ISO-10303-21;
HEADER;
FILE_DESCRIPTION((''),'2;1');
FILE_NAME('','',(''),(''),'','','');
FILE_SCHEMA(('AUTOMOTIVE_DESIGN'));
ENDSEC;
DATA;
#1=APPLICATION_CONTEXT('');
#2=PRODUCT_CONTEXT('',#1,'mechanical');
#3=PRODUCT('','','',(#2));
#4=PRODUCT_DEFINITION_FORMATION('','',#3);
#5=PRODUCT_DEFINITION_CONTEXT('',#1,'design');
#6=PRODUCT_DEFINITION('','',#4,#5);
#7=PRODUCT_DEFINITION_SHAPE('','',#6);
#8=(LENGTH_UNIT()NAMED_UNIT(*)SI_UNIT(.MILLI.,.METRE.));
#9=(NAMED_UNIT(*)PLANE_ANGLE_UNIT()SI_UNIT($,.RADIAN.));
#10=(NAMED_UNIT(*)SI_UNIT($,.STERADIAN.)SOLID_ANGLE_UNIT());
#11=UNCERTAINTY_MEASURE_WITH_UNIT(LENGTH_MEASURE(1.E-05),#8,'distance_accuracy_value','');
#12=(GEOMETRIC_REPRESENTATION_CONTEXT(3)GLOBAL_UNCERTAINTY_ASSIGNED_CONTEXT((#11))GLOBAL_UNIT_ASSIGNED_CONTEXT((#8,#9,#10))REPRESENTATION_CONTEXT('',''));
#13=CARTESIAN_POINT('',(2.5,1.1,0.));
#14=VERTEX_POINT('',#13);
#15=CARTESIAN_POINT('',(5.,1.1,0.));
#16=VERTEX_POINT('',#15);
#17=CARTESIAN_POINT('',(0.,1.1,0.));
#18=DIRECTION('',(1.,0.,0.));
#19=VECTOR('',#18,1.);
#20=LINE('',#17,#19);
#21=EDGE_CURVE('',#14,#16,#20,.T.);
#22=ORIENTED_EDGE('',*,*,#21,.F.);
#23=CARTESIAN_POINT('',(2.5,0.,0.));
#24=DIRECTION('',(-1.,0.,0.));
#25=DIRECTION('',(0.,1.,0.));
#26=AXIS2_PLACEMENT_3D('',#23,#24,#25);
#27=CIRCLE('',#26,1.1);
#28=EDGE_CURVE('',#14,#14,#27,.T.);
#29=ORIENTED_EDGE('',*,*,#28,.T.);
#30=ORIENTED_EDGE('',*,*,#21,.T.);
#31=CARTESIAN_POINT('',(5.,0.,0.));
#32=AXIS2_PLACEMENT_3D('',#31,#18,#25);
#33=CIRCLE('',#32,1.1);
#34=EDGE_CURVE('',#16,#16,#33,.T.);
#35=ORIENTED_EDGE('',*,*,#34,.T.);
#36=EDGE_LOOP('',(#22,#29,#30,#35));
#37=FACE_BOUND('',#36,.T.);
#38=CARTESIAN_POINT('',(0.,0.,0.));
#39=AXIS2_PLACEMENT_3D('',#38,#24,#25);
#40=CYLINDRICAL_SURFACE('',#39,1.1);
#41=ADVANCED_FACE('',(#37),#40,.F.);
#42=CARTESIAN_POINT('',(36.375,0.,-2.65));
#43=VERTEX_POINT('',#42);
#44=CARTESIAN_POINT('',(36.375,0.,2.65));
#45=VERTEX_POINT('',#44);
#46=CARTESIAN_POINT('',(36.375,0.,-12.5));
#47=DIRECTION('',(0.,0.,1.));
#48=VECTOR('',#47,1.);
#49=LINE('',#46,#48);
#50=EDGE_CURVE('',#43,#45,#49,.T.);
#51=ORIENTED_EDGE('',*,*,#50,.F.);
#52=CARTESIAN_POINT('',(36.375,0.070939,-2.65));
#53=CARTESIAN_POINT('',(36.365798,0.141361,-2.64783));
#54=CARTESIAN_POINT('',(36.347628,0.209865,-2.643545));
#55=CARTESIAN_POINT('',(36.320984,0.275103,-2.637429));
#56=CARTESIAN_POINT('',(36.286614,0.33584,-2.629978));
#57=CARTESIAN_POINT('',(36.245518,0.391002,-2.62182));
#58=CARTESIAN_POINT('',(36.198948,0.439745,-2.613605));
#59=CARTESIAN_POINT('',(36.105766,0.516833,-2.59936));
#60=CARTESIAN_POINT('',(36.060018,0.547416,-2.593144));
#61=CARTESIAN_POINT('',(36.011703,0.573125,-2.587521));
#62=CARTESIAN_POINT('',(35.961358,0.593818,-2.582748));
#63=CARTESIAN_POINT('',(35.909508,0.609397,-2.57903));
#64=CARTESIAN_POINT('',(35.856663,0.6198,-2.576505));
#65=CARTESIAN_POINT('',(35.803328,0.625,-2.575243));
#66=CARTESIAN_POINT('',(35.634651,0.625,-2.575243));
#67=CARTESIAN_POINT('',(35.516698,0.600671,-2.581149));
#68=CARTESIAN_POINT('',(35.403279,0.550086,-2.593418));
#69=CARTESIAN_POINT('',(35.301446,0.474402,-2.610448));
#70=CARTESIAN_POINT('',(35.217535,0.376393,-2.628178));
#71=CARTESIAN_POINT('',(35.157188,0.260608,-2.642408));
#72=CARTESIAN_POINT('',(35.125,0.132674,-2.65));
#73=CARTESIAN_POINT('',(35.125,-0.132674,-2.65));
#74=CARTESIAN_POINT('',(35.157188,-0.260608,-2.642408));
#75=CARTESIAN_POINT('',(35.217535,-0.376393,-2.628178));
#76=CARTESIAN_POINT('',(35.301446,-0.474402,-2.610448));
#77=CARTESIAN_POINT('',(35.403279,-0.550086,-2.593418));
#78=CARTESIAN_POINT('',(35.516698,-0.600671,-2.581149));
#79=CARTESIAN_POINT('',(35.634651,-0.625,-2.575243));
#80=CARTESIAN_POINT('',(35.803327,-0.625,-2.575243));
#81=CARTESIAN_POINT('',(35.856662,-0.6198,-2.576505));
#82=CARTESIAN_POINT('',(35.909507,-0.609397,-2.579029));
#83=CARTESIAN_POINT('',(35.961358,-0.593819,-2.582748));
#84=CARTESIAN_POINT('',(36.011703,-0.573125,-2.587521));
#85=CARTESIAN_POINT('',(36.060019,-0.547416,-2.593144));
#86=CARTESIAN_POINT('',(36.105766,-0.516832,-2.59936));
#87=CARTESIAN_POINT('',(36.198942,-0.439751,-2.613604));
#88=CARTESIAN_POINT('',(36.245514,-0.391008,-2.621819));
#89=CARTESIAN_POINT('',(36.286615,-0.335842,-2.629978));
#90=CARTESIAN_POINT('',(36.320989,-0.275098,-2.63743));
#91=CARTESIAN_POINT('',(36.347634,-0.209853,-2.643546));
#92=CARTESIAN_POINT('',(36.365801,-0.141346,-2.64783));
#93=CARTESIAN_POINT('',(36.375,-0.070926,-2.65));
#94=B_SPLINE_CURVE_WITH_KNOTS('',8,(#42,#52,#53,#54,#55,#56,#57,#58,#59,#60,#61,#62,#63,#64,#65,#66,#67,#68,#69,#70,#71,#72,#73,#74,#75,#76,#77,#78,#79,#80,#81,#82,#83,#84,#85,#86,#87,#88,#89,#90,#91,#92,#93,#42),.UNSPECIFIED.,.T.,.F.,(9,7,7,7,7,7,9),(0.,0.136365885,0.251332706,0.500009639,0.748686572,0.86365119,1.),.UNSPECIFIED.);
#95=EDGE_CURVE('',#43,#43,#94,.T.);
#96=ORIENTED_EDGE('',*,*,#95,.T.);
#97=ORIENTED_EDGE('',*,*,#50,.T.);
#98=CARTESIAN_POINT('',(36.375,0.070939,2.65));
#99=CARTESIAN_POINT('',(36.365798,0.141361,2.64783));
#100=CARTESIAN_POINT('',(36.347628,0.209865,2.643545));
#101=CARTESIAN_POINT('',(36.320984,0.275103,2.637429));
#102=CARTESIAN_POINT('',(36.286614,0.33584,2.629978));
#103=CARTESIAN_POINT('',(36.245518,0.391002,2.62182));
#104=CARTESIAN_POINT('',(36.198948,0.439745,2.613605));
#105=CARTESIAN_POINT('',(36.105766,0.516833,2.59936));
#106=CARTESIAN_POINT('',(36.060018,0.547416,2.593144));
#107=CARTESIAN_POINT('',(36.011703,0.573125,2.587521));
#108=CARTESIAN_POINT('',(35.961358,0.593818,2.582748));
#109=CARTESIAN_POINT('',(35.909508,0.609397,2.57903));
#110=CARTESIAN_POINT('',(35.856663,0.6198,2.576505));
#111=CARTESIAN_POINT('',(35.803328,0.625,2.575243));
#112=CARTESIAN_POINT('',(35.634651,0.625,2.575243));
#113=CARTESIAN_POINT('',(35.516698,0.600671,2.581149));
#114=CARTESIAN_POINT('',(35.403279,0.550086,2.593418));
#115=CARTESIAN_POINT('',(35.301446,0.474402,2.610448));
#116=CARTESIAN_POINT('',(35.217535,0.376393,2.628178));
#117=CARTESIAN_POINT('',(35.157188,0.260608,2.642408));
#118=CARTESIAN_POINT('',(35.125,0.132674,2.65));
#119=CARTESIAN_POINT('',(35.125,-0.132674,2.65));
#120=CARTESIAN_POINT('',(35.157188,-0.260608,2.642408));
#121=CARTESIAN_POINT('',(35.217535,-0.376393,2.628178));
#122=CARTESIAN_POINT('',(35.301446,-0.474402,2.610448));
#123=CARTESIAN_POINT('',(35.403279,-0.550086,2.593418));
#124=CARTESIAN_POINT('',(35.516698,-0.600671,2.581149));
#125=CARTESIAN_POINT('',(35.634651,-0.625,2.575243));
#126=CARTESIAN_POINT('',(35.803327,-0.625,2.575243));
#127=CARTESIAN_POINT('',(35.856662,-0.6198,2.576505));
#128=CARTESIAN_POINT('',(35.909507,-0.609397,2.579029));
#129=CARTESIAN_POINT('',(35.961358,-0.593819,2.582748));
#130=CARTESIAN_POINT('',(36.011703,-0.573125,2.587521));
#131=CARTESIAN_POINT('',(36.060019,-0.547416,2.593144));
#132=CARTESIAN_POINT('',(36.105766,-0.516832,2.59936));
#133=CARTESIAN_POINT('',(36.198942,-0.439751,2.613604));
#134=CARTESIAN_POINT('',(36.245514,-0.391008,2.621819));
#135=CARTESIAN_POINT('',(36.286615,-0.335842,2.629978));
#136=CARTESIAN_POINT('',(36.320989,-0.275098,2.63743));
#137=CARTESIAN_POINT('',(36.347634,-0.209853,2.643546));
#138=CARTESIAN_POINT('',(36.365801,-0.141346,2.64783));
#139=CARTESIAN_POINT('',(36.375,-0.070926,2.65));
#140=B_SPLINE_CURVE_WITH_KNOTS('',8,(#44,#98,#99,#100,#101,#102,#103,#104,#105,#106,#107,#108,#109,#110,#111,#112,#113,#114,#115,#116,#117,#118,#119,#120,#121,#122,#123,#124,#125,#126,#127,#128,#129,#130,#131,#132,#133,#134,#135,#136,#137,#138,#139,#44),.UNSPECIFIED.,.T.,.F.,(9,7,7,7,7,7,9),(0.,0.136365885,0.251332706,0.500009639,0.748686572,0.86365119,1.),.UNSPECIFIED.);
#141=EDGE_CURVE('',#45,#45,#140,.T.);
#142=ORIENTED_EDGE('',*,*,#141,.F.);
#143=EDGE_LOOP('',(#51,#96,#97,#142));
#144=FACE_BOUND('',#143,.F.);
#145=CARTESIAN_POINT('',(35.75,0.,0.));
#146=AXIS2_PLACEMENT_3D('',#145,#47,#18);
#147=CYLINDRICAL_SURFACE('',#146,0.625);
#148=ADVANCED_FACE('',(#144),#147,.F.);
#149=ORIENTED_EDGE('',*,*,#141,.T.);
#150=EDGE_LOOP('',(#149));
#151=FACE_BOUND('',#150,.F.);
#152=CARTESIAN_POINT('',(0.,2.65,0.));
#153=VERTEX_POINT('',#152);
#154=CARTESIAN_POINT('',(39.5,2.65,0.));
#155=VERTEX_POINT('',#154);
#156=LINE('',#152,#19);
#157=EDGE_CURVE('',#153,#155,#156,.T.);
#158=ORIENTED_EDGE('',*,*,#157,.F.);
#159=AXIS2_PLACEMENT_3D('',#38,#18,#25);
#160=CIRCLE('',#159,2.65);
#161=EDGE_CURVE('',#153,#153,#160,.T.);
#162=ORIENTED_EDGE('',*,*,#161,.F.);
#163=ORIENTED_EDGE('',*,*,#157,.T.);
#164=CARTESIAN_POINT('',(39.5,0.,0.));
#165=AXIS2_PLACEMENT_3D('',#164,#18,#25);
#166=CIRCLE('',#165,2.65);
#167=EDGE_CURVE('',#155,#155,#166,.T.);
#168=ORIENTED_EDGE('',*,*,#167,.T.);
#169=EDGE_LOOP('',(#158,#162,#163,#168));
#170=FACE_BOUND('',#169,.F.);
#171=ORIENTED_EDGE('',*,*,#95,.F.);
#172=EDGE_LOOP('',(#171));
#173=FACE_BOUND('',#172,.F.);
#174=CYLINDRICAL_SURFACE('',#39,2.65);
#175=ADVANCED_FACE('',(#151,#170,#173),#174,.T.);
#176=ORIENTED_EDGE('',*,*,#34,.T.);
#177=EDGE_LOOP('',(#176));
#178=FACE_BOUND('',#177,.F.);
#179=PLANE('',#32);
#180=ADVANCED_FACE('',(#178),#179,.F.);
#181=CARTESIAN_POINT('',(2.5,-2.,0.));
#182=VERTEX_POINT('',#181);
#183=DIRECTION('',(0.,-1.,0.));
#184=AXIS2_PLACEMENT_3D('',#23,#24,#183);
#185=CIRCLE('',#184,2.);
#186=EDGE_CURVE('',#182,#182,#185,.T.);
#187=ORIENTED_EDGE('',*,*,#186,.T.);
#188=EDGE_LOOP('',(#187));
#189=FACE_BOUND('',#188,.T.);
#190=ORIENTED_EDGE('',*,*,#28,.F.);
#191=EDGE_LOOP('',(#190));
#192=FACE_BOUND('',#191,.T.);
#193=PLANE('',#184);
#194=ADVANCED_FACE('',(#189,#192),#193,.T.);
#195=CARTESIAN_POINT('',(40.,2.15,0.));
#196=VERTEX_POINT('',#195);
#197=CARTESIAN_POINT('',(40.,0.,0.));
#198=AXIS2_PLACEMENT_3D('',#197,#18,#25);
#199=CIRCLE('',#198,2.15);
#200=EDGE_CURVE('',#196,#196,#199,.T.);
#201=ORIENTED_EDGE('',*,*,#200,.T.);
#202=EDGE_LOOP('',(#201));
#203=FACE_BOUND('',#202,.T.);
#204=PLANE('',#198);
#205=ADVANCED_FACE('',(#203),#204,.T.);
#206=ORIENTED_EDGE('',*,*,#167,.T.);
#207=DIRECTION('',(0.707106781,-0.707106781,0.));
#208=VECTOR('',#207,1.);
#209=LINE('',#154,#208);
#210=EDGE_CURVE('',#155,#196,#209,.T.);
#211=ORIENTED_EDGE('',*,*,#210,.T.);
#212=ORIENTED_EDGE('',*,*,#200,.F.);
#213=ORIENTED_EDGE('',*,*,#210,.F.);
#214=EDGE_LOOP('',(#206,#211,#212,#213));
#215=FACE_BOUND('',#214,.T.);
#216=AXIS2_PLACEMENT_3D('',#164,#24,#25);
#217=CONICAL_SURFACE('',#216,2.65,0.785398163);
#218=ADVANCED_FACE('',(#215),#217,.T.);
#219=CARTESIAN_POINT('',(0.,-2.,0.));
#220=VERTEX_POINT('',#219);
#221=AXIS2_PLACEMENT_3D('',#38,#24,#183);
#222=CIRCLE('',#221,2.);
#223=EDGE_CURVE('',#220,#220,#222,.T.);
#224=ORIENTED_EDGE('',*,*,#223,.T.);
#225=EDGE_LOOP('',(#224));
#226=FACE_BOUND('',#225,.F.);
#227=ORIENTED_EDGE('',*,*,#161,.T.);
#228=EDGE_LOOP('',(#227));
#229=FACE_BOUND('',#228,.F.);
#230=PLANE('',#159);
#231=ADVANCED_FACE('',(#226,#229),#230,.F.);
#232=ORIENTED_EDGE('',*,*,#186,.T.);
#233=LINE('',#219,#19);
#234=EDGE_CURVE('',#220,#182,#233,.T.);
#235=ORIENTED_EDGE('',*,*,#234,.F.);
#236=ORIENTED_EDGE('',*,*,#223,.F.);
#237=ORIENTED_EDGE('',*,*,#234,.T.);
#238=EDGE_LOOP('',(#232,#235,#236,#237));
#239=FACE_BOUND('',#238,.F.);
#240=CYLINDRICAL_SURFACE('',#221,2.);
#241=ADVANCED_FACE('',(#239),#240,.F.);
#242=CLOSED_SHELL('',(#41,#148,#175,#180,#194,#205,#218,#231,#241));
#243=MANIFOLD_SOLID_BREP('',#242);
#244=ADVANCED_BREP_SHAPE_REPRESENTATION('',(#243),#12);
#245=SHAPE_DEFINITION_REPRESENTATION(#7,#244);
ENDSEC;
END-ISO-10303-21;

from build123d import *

# Parameters (mm, degrees)
F0_R     = 2.65
F1_DEPTH = 40
F2_R     = 1.1
F3_DEPTH = 5
F4_SIZE  = 0.5
F5_R     = 0.625
F6_DEPTH = 12.5
F7_R     = 2
F8_DEPTH = 2.5


with BuildPart() as f1:
    # F0 (on Right) → F1 (new body)
    with BuildSketch(Plane.YZ):
        Circle(F0_R)
    extrude(amount=F1_DEPTH)

    # F2 (on Right) → F3 (cut)
    with BuildSketch(Plane.YZ):
        Circle(F2_R)
    extrude(amount=F3_DEPTH, mode=Mode.SUBTRACT)

    # F4
    f4_edges = [f1.edges().sort_by_distance(p)[0] for p in [
        (40, -2.65, 0),
    ]]
    chamfer(f4_edges, length=F4_SIZE)

    # F5 (on Top) → F6 (cut, symmetric)
    with BuildSketch(Plane.XY):
        with Locations((35.75, 0)):
            Circle(F5_R)
    extrude(amount=F6_DEPTH, both=True, mode=Mode.SUBTRACT)

    # F7 (on face) → F8 (cut)
    with BuildSketch(Plane(origin=(0, 0, 0), x_dir=(0, -1, 0), z_dir=(-1, 0, 0))):
        Circle(F7_R)
    extrude(amount=-F8_DEPTH, mode=Mode.SUBTRACT)


solid = f1.part
